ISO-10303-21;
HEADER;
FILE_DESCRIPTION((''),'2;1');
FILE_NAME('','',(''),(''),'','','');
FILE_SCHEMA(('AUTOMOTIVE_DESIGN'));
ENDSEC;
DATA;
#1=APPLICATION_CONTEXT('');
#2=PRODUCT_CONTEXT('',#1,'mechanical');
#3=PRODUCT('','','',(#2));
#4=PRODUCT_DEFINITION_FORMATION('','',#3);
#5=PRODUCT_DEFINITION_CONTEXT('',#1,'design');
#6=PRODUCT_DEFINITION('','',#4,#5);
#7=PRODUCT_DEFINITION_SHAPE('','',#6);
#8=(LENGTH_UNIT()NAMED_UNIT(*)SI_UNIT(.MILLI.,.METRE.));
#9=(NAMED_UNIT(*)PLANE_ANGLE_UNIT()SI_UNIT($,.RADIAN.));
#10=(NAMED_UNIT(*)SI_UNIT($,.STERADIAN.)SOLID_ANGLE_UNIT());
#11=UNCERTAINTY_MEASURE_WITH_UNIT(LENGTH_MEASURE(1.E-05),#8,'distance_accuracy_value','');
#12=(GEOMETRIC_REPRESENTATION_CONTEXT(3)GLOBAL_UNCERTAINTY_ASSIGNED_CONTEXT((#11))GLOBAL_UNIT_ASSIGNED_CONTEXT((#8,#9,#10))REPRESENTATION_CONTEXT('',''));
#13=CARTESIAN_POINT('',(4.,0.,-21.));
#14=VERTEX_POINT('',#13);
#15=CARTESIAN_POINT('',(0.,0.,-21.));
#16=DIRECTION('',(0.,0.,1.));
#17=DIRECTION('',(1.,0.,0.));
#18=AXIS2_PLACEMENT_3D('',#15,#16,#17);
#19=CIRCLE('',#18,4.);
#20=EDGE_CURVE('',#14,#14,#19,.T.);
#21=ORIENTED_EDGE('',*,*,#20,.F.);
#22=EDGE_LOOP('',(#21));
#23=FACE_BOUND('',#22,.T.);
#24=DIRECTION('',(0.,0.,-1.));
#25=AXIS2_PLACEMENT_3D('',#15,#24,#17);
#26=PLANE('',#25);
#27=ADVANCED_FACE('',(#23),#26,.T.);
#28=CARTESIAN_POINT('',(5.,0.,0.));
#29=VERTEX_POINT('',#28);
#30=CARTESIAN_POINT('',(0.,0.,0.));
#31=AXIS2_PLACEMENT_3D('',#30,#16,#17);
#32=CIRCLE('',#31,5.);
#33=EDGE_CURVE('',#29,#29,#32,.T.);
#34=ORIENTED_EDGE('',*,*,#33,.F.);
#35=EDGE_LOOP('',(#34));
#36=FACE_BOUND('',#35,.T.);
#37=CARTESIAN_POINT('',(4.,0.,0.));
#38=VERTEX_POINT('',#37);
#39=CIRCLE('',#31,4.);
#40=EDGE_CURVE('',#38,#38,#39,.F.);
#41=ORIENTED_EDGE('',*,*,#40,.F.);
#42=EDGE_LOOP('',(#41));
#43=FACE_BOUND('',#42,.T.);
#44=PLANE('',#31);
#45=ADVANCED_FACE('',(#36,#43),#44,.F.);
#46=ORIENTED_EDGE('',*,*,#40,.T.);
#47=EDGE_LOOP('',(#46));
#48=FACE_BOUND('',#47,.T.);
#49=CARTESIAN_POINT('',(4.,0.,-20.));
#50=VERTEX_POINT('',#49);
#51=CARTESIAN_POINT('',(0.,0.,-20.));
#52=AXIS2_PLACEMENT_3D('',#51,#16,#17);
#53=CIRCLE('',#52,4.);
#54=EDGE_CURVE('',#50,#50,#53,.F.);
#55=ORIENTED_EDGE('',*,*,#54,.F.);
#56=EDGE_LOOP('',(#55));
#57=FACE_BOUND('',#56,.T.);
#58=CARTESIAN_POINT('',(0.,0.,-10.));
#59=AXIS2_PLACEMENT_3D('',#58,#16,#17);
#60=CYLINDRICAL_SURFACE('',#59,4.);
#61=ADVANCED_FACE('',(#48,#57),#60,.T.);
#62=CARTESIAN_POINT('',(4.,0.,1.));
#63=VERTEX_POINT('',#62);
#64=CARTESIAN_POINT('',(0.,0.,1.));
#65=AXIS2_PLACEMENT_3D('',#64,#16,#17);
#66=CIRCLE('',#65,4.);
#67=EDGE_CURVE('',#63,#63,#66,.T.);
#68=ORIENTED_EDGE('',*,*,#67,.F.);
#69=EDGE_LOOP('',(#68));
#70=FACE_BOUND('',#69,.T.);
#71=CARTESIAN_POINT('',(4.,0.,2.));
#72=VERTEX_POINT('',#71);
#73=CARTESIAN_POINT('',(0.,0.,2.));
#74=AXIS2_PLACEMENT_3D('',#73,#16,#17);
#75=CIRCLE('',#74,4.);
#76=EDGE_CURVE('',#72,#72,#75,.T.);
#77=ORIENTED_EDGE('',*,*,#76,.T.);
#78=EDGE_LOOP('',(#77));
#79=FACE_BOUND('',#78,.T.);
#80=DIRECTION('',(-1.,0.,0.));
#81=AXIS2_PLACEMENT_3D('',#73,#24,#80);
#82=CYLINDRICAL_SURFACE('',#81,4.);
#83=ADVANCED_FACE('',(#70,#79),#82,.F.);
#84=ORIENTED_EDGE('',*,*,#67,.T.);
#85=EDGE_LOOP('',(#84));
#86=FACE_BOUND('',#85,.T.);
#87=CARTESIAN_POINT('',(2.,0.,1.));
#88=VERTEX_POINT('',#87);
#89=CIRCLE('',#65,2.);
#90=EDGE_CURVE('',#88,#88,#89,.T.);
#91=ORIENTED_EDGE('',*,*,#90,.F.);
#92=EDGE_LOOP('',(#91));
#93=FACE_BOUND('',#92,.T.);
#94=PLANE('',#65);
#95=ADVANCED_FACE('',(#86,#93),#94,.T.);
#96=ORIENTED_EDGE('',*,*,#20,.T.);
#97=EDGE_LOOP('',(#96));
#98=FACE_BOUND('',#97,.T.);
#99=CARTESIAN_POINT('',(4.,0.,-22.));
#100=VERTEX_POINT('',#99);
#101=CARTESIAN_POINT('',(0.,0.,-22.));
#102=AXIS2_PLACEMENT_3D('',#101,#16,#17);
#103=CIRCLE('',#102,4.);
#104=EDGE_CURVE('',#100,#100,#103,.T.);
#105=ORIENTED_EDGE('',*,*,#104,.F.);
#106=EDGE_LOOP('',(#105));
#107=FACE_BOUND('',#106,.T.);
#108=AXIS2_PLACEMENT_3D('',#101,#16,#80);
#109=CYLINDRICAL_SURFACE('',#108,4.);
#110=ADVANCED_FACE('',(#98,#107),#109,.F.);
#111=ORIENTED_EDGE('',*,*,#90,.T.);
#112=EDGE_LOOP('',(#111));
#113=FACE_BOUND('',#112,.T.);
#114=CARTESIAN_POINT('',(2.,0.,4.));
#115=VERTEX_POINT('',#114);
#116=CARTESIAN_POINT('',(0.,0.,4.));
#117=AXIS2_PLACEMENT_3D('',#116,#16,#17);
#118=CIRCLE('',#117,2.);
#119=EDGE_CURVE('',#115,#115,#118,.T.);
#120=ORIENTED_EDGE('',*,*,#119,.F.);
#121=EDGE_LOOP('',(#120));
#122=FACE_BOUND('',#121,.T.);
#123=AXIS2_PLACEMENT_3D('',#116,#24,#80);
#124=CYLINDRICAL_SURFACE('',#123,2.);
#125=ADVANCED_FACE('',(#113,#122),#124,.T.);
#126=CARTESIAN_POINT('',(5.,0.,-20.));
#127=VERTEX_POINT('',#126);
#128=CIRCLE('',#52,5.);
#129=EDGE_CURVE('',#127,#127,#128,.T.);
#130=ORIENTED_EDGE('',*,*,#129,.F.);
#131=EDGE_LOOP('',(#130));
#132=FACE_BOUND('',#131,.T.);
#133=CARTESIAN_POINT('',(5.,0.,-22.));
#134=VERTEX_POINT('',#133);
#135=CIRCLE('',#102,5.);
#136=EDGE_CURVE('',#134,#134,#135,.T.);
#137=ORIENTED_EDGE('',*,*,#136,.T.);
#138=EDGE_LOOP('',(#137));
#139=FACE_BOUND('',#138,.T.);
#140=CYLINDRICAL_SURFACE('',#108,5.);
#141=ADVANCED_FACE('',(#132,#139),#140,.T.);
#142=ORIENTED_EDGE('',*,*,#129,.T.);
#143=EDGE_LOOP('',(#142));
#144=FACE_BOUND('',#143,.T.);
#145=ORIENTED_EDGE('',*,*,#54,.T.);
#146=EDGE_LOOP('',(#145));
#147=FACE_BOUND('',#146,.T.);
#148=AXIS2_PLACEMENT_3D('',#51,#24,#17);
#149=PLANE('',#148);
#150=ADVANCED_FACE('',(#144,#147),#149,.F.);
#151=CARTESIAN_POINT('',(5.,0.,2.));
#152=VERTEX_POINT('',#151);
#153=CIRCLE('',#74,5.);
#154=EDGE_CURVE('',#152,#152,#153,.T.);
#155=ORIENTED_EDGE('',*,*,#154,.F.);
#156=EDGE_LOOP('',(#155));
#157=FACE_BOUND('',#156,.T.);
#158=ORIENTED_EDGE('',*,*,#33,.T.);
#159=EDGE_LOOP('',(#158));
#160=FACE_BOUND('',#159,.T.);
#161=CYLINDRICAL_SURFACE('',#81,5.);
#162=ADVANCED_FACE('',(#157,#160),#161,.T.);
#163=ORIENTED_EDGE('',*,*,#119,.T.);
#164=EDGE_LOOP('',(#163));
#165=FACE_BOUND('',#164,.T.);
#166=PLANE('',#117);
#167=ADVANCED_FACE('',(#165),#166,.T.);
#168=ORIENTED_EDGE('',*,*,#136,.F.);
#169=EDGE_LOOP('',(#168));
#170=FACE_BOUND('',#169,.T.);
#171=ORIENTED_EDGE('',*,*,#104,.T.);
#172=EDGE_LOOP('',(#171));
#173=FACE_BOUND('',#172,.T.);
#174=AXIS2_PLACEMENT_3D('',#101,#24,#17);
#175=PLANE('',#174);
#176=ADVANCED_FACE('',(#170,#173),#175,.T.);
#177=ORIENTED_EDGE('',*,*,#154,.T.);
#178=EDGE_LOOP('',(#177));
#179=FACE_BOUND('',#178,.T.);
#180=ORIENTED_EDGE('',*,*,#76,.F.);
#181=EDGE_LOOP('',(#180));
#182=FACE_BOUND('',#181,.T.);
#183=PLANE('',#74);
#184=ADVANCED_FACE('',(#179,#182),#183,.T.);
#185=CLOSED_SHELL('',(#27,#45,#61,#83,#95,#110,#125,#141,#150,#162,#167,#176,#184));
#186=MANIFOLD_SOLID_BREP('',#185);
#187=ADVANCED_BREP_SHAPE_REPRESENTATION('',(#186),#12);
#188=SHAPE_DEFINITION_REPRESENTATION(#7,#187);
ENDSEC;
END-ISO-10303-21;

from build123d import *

# Parameters (mm, degrees)
CROQUIS1_R     = 5
EXTRUIR1_DEPTH = 2
VACIADO1_T     = -1
CROQUIS2_R     = 4
EXTRUIR2_DEPTH = 10
CROQUIS4_R     = 2
EXTRUIR4_DEPTH = 3


with BuildPart() as part:
    # Croquis1 → Extruir1 (new body)
    with BuildSketch(Plane.XY):
        Circle(CROQUIS1_R)
    extrude(amount=EXTRUIR1_DEPTH)

    # Vaciado1
    vaciado1_openings = [part.faces().sort_by_distance(p)[0] for p in [
        (0, 0, 2),
    ]]
    offset(amount=VACIADO1_T, openings=vaciado1_openings, kind=Kind.INTERSECTION)

    # Croquis2 → Extruir2 (add)
    with BuildSketch(Plane(origin=(0, 0, 0), x_dir=(-1, 0, 0), z_dir=(0, 0, -1))):
        with Locations(Location((0, 0, 0), (0, 0, 180))):  # turned: the seam where the file's is
            Circle(CROQUIS2_R)
    extrude(amount=EXTRUIR2_DEPTH)

    # Simetría3: part across plane


with BuildPart() as part_1:
    add(part.part)
    add(part.part.mirror(Plane(origin=(0, 0, -10), x_dir=(1, 0, 0), z_dir=(0, 0, -1))))

    # Croquis4 → Extruir4 (add)
    with BuildSketch(Plane.XY.offset(1)):
        Circle(CROQUIS4_R)
    extrude(amount=EXTRUIR4_DEPTH)


solid = part_1.part
